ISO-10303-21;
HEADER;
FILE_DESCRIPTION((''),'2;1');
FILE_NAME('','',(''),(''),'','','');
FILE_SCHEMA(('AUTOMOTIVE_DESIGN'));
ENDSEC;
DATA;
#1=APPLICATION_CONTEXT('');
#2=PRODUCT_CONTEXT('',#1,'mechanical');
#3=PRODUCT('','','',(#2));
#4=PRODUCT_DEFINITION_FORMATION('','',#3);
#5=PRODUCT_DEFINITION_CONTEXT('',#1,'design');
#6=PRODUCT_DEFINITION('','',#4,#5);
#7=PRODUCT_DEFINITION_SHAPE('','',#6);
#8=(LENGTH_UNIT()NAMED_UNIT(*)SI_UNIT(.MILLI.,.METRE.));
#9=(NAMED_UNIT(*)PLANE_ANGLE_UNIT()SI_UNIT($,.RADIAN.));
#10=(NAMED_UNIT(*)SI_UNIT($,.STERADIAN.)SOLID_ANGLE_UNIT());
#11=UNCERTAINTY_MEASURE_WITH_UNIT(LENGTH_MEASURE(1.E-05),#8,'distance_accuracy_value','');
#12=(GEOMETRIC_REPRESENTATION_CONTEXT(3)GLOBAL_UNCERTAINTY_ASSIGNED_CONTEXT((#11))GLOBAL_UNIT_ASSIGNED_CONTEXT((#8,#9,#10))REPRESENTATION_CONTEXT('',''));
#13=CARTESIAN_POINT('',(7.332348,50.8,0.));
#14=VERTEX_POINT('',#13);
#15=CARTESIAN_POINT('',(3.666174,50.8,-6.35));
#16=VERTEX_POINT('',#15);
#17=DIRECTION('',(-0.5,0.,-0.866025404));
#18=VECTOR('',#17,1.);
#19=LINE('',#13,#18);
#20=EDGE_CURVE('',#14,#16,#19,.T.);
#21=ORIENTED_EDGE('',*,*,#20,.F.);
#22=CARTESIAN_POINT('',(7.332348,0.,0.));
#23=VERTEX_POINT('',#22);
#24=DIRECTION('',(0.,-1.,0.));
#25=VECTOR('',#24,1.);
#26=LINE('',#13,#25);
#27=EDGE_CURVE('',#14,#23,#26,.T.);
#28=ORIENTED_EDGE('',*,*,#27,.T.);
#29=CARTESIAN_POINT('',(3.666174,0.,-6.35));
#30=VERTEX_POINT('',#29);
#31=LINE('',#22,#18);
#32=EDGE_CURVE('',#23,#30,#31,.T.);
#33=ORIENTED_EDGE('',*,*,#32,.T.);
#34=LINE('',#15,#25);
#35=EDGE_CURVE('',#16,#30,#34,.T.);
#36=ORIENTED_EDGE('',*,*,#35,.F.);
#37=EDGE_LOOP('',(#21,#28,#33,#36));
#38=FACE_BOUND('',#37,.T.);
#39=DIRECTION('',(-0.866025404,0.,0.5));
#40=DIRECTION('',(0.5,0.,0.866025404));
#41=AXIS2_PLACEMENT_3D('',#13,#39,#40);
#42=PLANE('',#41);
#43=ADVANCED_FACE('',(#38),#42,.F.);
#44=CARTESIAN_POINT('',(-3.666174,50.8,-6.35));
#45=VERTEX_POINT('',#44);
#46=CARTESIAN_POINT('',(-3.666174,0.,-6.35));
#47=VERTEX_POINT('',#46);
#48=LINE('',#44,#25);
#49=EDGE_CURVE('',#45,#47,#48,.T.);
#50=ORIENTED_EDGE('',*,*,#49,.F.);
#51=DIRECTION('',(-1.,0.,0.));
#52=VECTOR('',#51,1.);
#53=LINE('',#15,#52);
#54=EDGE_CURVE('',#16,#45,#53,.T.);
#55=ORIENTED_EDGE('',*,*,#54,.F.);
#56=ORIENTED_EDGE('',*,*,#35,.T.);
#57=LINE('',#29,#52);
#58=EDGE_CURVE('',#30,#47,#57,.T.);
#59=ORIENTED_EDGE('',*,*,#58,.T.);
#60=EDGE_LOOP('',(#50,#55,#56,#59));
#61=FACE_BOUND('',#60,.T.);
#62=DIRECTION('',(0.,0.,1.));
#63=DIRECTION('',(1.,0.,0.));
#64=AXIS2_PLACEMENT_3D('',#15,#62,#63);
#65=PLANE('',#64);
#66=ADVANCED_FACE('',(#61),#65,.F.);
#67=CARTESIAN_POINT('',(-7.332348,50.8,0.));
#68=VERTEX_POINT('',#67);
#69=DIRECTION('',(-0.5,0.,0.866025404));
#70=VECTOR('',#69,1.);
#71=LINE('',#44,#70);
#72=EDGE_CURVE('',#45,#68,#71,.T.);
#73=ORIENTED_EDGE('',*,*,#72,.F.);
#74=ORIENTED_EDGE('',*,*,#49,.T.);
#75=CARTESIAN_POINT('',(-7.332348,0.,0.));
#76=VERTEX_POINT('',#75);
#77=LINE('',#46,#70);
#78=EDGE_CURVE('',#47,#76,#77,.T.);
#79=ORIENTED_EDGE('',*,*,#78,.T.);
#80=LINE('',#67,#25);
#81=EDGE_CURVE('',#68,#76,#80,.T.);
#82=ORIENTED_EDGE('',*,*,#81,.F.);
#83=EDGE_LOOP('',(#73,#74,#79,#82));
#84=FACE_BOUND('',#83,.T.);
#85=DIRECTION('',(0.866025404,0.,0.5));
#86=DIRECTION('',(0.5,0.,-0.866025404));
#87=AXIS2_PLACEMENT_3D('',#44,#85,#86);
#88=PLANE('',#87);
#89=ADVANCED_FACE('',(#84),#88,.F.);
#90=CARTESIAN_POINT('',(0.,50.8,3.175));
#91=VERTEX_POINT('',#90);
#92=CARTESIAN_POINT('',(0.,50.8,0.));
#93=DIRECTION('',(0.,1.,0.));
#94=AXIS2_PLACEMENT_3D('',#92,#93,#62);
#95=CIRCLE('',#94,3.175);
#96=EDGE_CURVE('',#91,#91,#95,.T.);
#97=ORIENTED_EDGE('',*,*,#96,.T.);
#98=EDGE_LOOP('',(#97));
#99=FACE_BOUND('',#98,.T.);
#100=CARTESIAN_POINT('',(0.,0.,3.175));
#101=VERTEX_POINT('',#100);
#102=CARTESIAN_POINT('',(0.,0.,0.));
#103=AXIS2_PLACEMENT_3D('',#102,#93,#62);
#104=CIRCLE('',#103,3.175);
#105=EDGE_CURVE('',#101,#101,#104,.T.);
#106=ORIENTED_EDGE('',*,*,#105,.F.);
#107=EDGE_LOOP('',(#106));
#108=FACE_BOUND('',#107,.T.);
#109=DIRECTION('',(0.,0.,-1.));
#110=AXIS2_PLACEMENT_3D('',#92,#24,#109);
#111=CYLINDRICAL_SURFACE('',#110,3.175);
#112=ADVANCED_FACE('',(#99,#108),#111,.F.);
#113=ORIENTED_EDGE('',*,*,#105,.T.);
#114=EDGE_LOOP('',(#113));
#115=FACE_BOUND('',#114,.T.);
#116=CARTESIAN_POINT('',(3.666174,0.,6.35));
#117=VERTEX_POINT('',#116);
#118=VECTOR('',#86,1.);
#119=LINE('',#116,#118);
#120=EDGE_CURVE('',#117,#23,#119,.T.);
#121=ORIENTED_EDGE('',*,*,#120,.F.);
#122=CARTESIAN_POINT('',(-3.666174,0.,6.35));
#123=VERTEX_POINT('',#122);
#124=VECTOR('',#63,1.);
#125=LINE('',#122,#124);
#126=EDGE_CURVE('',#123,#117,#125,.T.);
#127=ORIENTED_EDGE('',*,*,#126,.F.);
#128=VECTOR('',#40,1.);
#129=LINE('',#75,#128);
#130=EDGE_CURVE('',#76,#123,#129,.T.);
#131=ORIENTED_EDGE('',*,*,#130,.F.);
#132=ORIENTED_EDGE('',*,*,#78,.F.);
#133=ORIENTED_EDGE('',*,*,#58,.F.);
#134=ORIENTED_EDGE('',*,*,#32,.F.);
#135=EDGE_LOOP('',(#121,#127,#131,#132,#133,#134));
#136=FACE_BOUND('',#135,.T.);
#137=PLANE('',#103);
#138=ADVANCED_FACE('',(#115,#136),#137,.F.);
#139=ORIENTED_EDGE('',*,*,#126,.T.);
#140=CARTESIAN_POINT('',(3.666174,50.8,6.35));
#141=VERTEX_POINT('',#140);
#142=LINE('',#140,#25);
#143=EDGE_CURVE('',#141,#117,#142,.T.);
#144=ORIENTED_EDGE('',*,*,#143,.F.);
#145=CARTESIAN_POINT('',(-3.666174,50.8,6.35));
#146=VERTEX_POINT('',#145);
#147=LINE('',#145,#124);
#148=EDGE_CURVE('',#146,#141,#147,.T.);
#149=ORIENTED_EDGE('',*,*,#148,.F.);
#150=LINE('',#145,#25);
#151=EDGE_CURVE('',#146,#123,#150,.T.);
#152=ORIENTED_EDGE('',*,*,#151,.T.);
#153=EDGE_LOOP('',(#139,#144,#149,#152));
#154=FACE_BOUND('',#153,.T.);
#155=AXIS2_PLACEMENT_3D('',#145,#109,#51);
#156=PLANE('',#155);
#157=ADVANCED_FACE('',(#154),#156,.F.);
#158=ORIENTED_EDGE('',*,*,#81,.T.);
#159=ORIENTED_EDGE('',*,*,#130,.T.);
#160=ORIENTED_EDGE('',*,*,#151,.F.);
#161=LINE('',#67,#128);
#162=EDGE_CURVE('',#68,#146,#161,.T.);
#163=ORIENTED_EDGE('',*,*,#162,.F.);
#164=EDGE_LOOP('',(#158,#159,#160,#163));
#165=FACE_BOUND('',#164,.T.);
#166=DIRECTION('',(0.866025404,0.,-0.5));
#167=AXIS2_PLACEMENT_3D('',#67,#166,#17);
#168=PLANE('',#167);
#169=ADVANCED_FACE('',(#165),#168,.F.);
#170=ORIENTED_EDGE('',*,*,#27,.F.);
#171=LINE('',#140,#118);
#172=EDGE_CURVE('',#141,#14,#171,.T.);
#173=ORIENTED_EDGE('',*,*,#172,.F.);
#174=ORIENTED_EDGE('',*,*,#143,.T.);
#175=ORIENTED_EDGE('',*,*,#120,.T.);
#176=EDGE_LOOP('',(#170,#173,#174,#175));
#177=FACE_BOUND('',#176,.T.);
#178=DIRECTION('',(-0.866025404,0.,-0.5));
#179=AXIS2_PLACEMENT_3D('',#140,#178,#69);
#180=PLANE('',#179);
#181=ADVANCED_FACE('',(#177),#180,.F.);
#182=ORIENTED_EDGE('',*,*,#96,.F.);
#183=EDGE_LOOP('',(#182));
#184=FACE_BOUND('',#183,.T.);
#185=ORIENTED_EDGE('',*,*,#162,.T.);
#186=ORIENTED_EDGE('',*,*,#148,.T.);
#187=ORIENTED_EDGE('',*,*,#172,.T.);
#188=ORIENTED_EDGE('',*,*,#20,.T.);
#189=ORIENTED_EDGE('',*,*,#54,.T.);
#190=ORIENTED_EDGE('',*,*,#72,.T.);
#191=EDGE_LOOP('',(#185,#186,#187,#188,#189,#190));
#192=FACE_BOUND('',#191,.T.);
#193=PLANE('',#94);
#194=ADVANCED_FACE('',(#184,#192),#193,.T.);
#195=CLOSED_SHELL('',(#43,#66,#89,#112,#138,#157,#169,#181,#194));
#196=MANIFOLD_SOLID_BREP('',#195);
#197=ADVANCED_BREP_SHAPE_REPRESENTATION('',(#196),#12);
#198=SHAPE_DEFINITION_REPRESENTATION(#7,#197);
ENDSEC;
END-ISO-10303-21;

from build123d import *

# Parameters (mm, degrees)
SKETCH1_R           = 3.175
BOSS_EXTRUDE1_DEPTH = 50.8


with BuildPart() as part:
    # Sketch1 → Boss-Extrude1 (new body)
    with BuildSketch(Plane(origin=(0, 0, 0), x_dir=(1, 0, 0), z_dir=(0, 1, 0))):
        Polygon((7.332348419, 0), (3.666174209, 6.35), (-3.666174209, 6.35), (-7.332348419, 0), (-3.666174209, -6.35), (3.666174209, -6.35), align=None)
        with Locations(Location((0, 0, 0), (0, 0, 270))):
            Circle(SKETCH1_R, mode=Mode.SUBTRACT)
    extrude(amount=BOSS_EXTRUDE1_DEPTH)


solid = part.part
